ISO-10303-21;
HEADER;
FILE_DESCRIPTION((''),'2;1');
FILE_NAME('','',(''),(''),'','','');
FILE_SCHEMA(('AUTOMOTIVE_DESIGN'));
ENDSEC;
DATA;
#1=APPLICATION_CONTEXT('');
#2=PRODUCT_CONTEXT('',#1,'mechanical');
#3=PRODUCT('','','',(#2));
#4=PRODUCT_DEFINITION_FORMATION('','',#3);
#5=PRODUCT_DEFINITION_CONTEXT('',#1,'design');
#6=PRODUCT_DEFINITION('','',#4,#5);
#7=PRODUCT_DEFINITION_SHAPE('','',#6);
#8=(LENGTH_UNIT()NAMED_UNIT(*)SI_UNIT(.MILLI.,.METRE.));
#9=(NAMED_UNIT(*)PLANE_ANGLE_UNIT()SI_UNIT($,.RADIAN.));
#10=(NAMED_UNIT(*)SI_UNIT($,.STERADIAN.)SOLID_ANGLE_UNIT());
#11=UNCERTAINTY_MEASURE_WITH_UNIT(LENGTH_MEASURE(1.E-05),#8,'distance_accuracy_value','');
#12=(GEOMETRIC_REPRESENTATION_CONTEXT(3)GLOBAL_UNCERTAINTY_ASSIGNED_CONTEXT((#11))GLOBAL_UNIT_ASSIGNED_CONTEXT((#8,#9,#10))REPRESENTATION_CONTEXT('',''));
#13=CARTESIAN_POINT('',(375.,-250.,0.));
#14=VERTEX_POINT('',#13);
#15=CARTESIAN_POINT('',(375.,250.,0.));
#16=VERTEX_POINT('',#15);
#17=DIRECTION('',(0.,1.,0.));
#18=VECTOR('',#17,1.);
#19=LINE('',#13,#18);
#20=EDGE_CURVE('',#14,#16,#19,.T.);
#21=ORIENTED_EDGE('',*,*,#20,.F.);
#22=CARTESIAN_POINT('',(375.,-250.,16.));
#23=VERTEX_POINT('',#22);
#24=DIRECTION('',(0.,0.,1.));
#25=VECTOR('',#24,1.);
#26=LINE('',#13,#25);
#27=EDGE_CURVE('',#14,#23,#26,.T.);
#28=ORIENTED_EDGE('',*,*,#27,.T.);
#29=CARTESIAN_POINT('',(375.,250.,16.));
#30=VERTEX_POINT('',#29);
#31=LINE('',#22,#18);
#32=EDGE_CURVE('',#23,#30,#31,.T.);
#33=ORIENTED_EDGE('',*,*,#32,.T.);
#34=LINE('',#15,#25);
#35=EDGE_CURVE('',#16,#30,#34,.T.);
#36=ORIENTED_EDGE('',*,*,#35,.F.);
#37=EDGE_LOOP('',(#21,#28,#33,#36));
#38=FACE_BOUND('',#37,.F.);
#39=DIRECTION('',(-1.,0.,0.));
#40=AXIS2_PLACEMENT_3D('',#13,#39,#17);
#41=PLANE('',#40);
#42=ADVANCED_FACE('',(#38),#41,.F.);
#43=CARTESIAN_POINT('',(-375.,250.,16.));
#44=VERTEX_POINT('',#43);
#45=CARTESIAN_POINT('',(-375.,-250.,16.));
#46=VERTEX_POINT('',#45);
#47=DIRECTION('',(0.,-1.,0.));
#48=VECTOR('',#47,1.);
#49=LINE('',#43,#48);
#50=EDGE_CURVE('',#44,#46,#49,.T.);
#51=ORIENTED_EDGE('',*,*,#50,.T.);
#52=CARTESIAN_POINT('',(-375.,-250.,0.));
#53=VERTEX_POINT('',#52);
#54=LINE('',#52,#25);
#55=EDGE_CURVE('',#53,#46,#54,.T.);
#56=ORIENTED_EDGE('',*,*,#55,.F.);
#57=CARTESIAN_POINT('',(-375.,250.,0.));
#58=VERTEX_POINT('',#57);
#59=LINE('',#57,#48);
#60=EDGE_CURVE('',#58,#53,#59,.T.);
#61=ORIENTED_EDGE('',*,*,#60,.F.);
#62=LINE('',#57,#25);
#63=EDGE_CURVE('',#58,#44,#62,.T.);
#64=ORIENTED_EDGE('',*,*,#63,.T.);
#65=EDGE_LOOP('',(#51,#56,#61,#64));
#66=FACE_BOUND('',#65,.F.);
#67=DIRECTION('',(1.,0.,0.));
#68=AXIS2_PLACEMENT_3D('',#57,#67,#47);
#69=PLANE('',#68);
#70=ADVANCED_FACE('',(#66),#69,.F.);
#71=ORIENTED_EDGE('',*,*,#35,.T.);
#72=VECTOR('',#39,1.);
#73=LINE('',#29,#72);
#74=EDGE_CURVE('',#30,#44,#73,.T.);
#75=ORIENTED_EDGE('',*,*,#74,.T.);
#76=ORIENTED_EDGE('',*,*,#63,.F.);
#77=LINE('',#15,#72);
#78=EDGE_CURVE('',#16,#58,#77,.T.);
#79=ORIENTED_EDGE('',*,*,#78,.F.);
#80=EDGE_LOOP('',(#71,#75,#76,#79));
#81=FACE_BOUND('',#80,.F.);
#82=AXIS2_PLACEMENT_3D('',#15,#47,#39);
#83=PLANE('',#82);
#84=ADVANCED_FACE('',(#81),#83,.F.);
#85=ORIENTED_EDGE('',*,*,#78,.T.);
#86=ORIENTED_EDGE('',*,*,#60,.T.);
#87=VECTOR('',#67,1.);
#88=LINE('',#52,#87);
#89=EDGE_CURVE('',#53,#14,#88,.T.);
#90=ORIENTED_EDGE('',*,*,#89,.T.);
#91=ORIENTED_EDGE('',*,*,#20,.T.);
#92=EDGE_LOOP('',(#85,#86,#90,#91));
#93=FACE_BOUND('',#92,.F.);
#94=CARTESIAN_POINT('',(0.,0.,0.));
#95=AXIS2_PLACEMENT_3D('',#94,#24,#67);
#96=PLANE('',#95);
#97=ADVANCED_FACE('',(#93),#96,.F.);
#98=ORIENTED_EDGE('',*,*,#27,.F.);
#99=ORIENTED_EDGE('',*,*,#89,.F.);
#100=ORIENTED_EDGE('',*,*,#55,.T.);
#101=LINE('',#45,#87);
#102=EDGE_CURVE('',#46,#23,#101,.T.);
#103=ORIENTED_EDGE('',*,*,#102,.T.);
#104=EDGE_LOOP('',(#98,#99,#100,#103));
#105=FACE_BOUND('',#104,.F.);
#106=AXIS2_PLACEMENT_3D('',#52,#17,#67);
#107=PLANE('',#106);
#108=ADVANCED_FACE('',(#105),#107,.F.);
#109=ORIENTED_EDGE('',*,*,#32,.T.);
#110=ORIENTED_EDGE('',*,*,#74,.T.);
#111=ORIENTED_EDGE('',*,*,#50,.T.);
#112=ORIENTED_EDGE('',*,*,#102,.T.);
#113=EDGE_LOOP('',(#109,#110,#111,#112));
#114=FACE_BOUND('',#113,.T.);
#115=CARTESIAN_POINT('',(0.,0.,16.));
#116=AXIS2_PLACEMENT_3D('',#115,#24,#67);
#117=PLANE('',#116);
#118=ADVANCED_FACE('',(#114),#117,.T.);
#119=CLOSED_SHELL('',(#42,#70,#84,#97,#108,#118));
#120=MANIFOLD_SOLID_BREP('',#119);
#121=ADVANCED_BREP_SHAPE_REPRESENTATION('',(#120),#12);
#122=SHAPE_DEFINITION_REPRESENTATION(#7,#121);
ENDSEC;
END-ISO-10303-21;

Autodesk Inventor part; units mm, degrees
ref_plane "YZ Plane" through (0, 0, 0) normal (1, 0, 0) x (0, 1, 0)
ref_plane "XZ Plane" through (0, 0, 0) normal (0, 1, 0) x (-1, 0, 0)
ref_plane "XY Plane" through (0, 0, 0) normal (0, 0, 1) x (1, 0, 0)
sketch "Skizze1" plane through (0, 0, 0) normal (0, 0, 1) x (1, 0, 0)
  line L0 (-375, -250) -> (375, -250)
  line L1 (375, -250) -> (375, 250)
  line L2 (375, 250) -> (-375, 250)
  line L3 (-375, 250) -> (-375, -250)
  line L4 (-375, -250) -> (375, 250) construction
  line L5 (375, -250) -> (-375, 250) construction
  point P0 (0, 0)
  dimension "d0" = 750
  dimension "d1" = 500
extrude "Extrusion1" add sketch "Skizze1" along normal blind 16
properties part number "Oben" material "Holz (Birke)"
